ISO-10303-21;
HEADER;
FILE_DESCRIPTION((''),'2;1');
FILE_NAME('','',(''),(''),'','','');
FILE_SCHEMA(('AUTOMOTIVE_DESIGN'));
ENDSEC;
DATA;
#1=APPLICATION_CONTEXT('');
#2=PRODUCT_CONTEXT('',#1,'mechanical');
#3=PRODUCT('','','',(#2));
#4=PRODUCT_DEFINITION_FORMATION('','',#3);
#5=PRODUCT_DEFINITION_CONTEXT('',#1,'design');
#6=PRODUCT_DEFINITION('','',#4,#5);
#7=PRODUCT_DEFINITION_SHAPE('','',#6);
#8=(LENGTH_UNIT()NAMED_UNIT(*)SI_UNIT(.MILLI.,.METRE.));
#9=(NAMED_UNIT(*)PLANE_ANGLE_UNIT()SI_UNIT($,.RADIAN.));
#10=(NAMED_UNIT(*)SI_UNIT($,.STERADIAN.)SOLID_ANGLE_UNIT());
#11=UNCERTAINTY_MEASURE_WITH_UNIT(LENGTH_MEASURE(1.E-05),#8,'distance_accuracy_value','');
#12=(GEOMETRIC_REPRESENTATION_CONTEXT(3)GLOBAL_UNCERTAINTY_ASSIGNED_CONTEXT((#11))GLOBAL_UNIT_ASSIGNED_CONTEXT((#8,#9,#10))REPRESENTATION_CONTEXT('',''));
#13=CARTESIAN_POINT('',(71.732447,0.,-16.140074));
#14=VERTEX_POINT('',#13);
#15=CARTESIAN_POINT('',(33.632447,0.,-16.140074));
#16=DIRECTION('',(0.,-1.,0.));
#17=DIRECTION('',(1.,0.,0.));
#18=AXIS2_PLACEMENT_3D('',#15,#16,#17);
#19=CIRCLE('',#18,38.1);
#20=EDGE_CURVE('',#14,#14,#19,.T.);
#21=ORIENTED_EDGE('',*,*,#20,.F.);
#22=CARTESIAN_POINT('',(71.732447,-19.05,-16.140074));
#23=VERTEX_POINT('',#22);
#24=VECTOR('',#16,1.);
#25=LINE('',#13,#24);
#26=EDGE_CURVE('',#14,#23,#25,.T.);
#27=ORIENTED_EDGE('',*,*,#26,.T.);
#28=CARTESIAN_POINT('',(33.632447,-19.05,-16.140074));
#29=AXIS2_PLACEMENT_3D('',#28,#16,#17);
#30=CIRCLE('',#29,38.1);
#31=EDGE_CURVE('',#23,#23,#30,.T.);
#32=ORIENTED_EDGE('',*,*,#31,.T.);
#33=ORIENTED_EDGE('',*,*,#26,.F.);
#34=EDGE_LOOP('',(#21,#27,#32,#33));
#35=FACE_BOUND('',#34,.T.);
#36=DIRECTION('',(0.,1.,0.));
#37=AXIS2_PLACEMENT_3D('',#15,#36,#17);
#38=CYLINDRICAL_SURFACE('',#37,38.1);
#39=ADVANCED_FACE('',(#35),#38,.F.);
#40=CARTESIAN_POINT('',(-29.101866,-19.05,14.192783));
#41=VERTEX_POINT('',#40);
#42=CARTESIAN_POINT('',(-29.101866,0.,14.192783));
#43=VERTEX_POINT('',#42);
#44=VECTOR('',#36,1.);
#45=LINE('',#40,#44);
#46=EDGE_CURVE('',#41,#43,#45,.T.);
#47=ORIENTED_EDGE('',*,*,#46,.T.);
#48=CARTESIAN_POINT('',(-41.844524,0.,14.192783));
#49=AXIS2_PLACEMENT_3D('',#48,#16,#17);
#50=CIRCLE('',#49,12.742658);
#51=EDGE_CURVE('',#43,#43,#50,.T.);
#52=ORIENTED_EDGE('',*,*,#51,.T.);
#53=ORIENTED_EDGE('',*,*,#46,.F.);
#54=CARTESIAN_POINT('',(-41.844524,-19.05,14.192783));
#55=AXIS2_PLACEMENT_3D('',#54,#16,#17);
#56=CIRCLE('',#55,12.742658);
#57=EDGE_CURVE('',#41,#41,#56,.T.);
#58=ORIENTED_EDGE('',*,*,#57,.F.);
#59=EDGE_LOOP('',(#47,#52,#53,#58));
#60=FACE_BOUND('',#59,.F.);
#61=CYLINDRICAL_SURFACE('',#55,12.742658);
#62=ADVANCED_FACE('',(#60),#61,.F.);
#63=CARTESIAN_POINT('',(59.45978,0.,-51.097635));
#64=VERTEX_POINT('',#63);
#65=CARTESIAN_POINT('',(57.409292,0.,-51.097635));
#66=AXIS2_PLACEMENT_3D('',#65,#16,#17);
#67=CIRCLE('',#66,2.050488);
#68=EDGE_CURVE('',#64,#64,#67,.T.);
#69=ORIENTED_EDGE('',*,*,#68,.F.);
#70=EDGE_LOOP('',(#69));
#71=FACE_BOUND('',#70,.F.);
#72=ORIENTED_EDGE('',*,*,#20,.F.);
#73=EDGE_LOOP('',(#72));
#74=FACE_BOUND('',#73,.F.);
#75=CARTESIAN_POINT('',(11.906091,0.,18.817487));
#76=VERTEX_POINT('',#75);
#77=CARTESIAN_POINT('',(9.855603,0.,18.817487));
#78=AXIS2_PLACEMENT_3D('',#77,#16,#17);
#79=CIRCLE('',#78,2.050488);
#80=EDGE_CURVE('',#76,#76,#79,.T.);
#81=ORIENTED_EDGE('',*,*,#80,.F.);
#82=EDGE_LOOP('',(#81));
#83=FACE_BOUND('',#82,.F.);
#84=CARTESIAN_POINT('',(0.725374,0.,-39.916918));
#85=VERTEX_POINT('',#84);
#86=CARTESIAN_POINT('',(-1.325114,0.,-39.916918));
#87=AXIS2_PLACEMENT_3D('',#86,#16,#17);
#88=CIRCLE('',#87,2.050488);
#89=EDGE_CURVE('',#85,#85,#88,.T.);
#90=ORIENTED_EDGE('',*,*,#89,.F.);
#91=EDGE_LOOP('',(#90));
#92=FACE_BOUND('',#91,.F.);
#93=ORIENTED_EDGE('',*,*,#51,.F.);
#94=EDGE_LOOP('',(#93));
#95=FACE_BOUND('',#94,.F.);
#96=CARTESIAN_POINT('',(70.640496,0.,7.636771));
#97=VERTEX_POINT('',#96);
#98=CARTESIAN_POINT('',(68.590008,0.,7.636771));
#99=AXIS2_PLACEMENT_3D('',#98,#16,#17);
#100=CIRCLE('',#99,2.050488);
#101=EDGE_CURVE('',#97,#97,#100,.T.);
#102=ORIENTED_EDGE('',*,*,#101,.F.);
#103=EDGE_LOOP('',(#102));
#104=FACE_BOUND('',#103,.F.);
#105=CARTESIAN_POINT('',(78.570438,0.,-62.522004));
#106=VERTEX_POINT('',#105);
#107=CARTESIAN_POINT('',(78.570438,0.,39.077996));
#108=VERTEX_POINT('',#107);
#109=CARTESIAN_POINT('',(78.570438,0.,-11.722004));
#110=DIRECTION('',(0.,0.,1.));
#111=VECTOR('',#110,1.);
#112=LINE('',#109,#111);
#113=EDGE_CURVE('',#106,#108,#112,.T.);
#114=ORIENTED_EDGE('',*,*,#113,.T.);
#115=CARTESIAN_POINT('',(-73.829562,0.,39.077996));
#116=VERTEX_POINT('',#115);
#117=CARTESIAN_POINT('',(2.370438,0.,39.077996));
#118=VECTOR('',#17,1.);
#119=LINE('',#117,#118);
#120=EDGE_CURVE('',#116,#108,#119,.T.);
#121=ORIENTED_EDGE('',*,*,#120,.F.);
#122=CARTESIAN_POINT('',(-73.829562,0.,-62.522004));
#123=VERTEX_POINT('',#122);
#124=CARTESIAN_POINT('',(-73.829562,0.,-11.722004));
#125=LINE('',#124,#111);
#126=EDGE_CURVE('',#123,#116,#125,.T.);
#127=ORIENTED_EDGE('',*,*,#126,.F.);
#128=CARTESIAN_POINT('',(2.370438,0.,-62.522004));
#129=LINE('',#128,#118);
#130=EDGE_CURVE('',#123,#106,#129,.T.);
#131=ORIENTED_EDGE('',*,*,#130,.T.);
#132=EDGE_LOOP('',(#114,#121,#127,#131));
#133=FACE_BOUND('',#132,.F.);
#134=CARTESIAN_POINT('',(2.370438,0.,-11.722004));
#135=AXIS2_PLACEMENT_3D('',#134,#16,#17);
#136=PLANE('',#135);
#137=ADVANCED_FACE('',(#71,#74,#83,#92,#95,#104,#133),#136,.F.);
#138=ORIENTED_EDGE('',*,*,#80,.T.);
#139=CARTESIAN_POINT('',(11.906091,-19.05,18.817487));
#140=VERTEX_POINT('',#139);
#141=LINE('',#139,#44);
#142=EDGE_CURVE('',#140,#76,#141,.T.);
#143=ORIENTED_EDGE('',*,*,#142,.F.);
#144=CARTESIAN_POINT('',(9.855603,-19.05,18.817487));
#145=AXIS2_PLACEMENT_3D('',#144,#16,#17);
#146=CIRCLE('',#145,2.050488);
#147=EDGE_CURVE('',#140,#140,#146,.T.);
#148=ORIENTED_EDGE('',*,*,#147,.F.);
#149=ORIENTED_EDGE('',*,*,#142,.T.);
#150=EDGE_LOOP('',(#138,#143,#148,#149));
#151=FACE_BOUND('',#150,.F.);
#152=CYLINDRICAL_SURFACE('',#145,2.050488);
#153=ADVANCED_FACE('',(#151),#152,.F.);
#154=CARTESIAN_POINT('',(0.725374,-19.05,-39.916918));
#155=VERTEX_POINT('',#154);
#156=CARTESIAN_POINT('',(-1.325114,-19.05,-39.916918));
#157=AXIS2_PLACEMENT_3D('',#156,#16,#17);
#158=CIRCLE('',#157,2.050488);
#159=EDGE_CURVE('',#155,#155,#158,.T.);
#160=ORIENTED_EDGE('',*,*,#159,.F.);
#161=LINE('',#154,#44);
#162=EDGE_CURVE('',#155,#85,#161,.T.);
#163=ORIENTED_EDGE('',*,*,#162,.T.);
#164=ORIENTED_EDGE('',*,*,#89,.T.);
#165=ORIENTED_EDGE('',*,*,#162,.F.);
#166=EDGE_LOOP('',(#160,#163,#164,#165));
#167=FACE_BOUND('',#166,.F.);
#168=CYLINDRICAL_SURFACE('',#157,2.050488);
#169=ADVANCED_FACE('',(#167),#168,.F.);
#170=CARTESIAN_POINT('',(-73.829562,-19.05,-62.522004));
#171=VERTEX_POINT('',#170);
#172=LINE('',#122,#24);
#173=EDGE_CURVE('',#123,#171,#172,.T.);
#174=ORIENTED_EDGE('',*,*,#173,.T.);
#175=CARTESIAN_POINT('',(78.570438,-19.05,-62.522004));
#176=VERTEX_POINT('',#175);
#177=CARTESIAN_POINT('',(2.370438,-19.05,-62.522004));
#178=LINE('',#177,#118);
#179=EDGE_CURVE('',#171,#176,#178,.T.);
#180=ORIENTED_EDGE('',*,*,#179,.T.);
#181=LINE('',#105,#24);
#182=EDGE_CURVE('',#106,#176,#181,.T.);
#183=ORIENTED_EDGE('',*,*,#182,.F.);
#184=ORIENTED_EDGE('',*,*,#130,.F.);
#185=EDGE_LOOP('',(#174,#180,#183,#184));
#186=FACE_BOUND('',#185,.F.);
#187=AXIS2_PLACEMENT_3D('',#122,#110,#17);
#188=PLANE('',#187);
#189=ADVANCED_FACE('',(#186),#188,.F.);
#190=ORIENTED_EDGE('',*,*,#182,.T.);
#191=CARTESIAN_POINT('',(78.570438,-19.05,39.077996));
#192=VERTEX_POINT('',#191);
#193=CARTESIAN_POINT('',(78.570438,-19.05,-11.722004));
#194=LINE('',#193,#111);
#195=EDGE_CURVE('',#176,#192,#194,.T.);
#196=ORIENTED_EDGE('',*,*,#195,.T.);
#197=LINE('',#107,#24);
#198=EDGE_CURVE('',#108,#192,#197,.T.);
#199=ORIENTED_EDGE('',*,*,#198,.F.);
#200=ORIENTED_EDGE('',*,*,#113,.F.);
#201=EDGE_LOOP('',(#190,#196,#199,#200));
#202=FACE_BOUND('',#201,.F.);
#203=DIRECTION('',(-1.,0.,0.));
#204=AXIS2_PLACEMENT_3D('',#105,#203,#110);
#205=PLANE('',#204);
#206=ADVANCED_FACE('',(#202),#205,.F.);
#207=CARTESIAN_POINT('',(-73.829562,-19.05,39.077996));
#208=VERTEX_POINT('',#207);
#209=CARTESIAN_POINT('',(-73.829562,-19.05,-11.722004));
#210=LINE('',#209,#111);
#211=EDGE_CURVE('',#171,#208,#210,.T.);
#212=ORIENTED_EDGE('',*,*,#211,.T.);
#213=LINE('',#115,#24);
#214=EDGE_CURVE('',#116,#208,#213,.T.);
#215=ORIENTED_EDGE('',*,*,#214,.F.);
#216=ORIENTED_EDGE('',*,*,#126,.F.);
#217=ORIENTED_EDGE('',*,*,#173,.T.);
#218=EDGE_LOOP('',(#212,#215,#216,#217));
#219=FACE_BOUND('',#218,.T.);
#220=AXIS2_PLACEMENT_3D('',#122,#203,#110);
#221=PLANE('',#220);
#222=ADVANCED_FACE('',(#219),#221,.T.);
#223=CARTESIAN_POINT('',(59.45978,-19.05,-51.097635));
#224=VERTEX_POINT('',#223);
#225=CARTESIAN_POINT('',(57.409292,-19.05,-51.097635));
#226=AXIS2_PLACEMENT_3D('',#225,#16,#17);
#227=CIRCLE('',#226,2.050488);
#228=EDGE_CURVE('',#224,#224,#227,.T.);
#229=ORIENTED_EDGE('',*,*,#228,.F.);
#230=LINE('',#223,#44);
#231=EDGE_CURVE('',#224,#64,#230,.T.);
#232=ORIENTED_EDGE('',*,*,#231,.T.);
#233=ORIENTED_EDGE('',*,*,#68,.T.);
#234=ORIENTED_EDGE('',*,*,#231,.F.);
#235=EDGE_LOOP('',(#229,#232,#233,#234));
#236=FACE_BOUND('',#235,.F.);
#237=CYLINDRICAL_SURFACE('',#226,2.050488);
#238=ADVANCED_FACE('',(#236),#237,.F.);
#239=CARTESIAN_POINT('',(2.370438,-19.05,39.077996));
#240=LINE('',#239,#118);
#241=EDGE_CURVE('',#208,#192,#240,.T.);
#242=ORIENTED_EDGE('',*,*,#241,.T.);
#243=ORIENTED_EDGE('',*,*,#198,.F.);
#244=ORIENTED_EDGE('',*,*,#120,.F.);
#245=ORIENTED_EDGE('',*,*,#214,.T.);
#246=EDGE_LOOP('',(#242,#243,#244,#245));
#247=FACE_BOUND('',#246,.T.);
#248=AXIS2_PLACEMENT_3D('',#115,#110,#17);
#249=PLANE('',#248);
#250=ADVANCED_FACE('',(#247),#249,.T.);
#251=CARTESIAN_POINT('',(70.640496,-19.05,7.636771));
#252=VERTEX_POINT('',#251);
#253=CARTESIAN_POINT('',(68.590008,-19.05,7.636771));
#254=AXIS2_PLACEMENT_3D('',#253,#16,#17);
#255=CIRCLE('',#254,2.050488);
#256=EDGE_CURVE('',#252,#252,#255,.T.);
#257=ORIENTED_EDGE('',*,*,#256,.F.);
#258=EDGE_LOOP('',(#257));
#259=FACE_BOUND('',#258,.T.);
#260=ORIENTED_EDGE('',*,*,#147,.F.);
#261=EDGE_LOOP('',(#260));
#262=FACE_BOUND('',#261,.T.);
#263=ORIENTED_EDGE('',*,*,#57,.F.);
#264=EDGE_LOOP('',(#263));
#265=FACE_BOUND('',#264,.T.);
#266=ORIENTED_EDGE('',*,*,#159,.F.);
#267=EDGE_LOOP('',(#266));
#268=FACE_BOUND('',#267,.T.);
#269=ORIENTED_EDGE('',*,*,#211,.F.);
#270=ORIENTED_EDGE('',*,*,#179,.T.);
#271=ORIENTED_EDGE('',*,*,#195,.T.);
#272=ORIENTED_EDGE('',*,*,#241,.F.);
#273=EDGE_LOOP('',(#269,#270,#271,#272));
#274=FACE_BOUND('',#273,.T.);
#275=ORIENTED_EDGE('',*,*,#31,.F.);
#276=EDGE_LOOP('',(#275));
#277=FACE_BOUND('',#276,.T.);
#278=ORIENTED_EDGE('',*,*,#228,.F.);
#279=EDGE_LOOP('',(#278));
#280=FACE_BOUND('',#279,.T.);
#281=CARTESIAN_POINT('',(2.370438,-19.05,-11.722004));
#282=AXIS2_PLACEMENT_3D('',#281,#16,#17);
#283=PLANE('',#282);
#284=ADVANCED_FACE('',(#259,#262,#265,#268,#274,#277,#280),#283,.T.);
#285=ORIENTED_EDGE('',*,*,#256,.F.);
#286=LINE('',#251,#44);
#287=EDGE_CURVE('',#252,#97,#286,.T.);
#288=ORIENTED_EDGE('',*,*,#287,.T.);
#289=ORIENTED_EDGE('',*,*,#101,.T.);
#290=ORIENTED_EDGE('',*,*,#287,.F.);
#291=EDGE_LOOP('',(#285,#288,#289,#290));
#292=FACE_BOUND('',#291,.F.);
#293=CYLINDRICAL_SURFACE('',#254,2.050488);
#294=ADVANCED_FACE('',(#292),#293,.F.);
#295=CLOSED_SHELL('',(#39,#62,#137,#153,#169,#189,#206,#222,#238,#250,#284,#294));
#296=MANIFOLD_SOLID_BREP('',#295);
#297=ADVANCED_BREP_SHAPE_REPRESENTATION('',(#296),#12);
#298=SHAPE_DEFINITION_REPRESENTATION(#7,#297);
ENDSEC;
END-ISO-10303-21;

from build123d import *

# Parameters (mm, degrees)
F0_W     = 152.4
F0_H     = 101.6
F0_R     = 38.1
F1_DEPTH = 19.05
F2_R     = 12.742658
F3_DEPTH = 25.4
F4_R     = 2.050488
F5_DEPTH = 25.4


with BuildPart() as f1:
    # F0 (on Front) → F1 (new body)
    with BuildSketch(Plane.XZ):
        with Locations((2.370438, -11.722004)):
            Rectangle(F0_W, F0_H)
        with Locations((33.632447, -16.140074)):
            Circle(F0_R, mode=Mode.SUBTRACT)
    extrude(amount=F1_DEPTH)

    # F2 (on face) → F3 (cut)
    with BuildSketch(Plane.XZ.offset(19.05)):
        with Locations((-41.844524, 14.192783)):
            Circle(F2_R)
    extrude(amount=-F3_DEPTH, mode=Mode.SUBTRACT)

    # F4 (on face) → F5 (cut)
    with BuildSketch(Plane.XZ.offset(19.05)):
        with Locations((9.855603, 18.817487)):
            Circle(F4_R)
        with Locations((-1.325114, -39.916918)):
            Circle(F4_R)
        with Locations((57.409292, -51.097635)):
            Circle(F4_R)
        with Locations((68.590008, 7.636771)):
            Circle(F4_R)
    extrude(amount=-F5_DEPTH, mode=Mode.SUBTRACT)


solid = f1.part
